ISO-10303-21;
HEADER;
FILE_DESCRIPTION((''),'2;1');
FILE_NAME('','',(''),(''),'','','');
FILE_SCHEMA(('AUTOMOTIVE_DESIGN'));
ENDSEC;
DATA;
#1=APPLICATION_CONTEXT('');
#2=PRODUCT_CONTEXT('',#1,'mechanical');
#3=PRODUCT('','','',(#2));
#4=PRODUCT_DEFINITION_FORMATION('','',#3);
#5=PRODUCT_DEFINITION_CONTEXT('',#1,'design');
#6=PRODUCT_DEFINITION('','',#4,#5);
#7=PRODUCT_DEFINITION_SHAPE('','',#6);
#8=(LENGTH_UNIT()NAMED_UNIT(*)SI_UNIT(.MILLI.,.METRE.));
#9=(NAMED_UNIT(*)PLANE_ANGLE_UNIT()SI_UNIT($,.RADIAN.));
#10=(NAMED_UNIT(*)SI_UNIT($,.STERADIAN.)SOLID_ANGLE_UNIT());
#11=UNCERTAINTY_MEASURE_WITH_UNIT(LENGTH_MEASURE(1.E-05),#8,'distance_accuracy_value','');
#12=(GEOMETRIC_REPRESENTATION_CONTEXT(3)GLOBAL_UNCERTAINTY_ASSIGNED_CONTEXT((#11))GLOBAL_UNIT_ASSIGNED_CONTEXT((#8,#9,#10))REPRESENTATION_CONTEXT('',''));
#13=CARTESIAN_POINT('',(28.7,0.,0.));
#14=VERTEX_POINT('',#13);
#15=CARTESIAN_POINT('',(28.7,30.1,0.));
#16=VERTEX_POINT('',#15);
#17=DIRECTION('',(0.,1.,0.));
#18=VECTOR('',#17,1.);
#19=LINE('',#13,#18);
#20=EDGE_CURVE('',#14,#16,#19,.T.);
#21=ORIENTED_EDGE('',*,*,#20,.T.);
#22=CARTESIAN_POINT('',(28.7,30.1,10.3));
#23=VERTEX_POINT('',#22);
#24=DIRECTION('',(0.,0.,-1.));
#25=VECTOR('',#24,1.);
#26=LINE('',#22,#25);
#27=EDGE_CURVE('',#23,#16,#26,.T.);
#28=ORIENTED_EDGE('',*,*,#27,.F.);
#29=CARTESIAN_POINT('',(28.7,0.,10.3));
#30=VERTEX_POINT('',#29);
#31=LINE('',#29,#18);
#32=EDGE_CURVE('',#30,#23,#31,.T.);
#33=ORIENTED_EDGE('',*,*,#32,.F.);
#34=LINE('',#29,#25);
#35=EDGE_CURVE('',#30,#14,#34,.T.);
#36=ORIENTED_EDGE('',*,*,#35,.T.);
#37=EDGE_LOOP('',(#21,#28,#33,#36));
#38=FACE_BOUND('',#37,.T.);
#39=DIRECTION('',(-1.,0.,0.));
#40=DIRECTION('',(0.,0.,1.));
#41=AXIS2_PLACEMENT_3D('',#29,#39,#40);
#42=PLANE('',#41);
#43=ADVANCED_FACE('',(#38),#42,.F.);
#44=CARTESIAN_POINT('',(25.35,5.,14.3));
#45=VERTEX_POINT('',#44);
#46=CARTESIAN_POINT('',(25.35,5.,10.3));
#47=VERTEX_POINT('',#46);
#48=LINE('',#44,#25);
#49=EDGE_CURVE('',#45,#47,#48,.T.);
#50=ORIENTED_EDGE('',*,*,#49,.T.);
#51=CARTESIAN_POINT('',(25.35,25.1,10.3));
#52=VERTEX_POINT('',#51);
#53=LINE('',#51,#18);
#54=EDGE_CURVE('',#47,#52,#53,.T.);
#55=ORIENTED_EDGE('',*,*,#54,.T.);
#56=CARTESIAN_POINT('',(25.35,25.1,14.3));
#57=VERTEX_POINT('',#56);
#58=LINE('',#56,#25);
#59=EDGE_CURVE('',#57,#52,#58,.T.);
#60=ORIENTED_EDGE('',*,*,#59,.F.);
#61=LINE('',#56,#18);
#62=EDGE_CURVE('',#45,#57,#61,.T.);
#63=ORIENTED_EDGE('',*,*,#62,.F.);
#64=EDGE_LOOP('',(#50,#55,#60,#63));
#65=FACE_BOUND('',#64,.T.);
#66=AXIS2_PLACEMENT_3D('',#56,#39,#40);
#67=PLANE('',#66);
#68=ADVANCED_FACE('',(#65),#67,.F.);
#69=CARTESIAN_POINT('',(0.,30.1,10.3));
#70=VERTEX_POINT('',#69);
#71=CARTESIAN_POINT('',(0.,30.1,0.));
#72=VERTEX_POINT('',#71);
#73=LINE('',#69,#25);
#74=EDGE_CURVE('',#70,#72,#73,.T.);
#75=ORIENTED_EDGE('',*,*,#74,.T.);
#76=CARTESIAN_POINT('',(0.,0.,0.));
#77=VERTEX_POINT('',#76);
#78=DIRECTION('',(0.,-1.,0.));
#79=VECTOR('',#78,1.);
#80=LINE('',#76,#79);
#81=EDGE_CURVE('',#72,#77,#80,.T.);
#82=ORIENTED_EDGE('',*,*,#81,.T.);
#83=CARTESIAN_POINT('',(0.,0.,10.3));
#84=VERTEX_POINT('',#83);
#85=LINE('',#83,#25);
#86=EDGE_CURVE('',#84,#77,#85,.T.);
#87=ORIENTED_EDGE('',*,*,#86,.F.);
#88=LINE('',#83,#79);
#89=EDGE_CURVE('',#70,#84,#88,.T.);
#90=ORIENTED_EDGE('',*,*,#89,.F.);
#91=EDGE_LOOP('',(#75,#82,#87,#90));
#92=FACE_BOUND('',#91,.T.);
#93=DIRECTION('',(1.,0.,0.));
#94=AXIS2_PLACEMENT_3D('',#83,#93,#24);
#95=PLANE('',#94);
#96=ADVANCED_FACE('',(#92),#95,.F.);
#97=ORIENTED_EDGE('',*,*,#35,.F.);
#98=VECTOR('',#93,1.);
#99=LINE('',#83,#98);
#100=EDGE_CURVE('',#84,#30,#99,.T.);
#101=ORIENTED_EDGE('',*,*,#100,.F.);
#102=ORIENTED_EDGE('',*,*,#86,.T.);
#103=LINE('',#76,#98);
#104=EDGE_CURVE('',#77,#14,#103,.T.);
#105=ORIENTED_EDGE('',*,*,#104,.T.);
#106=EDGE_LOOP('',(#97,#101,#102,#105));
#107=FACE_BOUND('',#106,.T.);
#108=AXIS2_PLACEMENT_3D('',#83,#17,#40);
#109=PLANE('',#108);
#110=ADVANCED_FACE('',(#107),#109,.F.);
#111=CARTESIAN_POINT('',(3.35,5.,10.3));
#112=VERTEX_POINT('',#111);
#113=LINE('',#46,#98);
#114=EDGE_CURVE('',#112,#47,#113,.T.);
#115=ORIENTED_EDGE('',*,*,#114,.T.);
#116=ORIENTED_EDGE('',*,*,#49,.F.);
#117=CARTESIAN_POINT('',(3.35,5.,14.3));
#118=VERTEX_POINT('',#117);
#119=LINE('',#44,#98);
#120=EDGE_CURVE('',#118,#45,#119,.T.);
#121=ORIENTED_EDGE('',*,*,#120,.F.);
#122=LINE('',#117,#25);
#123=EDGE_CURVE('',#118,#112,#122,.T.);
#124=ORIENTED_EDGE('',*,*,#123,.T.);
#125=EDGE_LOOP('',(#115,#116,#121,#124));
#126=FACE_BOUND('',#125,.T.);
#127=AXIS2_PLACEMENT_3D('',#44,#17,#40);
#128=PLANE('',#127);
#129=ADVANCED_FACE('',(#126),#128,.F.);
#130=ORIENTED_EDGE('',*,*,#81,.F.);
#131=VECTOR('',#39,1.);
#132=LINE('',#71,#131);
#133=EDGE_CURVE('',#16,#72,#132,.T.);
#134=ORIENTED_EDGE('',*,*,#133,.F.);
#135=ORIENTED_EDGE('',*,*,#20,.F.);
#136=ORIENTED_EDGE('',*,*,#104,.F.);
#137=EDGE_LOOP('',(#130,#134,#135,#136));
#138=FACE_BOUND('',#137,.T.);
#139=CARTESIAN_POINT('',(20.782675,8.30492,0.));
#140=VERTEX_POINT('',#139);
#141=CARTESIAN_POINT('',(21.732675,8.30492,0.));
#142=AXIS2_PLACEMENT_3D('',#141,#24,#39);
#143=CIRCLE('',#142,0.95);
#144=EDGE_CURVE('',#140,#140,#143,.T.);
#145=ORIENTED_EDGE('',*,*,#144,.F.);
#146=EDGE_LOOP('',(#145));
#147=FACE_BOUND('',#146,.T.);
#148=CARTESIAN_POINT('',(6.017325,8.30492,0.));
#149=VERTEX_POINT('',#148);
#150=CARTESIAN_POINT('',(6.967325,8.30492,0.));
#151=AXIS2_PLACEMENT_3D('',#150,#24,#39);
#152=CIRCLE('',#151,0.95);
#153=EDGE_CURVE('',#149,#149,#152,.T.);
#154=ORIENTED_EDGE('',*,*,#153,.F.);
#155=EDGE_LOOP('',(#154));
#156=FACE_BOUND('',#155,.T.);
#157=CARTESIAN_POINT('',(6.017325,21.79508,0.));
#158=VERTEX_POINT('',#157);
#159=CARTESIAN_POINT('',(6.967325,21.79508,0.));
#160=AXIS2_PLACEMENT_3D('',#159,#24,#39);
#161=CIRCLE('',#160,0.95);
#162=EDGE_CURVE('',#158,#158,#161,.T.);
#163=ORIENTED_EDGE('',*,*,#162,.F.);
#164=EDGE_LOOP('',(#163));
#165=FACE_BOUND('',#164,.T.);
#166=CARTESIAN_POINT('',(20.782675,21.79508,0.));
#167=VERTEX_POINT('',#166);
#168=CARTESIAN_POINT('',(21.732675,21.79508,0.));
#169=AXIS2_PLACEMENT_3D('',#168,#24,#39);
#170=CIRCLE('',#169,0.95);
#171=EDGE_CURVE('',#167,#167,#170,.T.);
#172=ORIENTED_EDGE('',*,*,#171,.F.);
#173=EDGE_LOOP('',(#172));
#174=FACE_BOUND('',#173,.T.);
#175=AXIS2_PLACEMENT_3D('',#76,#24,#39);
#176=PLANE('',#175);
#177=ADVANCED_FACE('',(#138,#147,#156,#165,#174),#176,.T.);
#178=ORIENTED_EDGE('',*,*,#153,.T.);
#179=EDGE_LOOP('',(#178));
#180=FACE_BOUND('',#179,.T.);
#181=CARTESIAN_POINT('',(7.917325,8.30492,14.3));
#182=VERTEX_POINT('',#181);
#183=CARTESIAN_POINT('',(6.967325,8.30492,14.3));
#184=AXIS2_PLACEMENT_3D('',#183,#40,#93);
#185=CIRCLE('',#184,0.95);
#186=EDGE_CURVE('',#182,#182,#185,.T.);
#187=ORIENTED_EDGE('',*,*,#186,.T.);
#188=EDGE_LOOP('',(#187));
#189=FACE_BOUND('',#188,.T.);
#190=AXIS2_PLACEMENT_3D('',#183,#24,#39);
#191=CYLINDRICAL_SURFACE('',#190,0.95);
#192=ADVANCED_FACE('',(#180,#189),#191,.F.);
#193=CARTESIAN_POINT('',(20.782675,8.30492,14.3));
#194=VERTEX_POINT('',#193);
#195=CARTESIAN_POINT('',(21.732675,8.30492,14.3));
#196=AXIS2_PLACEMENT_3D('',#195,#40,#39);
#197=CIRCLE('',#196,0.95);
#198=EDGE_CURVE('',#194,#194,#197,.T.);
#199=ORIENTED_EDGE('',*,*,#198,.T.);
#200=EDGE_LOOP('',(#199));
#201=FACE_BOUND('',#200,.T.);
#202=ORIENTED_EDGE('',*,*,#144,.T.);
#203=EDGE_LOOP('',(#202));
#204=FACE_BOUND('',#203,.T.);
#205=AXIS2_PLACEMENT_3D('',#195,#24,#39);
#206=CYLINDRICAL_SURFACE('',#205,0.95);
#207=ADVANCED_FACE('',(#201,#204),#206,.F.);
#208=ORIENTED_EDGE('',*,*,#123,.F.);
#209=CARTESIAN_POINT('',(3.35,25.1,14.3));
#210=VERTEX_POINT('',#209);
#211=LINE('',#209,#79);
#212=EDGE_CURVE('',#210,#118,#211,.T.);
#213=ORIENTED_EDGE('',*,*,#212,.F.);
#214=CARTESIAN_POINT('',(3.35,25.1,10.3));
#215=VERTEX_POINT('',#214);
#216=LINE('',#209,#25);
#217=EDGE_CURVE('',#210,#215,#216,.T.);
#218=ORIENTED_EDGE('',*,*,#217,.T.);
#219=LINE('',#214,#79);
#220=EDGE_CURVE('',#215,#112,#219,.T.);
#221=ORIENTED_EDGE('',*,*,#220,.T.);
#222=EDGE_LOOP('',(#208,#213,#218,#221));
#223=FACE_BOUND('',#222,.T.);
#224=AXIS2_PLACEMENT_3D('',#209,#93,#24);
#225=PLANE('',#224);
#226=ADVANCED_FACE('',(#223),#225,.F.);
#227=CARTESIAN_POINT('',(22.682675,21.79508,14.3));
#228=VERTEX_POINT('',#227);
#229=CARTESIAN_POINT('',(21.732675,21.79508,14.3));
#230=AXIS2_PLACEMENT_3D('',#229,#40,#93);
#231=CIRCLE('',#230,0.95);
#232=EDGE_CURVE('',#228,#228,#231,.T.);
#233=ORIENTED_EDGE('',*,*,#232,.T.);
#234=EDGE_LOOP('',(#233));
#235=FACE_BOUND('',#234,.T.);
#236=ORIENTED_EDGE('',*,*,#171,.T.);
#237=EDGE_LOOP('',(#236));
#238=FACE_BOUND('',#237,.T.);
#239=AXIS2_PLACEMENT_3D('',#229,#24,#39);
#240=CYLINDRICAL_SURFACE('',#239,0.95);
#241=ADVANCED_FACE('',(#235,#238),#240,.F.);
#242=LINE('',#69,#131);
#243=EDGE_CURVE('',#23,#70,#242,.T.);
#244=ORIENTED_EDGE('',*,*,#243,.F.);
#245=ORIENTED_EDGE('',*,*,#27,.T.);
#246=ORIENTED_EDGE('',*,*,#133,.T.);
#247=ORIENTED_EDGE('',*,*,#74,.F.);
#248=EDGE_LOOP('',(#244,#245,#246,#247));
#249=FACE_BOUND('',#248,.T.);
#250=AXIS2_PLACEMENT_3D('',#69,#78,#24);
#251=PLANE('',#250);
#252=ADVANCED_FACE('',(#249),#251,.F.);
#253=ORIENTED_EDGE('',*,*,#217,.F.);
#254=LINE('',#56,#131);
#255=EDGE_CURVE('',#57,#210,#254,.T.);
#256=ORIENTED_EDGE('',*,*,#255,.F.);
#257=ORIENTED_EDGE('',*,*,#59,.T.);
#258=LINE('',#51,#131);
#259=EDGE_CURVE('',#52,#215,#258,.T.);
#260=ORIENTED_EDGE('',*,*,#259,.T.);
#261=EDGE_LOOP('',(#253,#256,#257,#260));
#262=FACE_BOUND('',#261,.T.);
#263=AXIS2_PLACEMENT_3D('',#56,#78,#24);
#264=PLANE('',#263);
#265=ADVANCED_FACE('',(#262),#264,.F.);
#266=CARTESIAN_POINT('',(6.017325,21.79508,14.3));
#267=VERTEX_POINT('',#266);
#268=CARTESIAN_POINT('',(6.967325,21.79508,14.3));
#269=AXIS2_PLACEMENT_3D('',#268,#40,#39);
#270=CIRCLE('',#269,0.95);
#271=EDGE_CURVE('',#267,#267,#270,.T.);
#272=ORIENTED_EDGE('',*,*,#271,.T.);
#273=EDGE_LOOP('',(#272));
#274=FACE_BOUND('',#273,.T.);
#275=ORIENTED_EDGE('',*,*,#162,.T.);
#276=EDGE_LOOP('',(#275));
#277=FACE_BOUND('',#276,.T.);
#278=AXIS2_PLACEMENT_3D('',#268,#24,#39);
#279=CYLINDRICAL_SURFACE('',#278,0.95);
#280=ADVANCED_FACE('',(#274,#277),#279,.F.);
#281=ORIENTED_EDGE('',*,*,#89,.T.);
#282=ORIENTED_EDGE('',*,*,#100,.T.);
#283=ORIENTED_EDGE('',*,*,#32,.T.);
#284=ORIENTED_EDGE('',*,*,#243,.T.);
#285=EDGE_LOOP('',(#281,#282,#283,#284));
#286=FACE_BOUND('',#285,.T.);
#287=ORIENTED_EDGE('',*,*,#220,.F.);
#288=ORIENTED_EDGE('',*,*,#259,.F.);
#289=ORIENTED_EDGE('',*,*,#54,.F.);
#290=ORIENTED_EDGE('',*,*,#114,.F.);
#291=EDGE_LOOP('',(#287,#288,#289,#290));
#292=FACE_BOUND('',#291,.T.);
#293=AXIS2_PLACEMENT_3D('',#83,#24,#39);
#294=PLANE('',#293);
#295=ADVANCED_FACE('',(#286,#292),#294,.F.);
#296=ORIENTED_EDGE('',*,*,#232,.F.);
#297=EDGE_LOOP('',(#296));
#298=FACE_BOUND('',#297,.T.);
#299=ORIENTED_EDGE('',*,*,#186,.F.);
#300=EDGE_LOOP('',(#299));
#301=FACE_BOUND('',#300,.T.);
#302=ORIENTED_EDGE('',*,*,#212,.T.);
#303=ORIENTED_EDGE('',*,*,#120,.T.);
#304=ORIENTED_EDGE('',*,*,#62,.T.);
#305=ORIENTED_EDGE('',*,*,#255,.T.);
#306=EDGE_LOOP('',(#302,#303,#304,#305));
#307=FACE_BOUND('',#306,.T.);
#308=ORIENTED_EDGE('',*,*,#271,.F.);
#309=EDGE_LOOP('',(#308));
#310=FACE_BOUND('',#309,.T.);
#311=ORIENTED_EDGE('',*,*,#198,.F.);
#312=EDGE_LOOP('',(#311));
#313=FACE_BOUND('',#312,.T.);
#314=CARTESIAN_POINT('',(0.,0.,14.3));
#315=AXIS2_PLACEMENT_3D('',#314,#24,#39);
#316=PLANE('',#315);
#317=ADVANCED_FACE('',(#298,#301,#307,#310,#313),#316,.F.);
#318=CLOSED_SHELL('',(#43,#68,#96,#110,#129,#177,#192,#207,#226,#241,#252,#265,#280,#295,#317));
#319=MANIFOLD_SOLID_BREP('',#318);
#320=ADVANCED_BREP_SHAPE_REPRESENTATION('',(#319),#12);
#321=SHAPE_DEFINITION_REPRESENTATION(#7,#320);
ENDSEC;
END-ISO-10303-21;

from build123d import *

# Parameters (mm, degrees)
SKETCH1_W           = 28.7
SKETCH1_H           = 30.1
BOSS_EXTRUDE1_DEPTH = 10.3
SKETCH2_W           = 22
SKETCH2_H           = 20.1
SKETCH2_R           = 0.95
BOSS_EXTRUDE2_DEPTH = 4
SKETCH4_R           = 0.95
CUT_EXTRUDE1_DEPTH  = 44.979427009


with BuildPart() as part:
    # Sketch1 → Boss-Extrude1 (new body)
    with BuildSketch(Plane.XY):
        with Locations((14.35, 15.05)):
            Rectangle(SKETCH1_W, SKETCH1_H)
    extrude(amount=BOSS_EXTRUDE1_DEPTH)

    # Sketch2 → Boss-Extrude2 (add)
    with BuildSketch(Plane.XY.offset(10.3)):
        with Locations((14.35, 15.05)):
            Rectangle(SKETCH2_W, SKETCH2_H)
        with Locations((6.967324962, 8.304919624)):
            Circle(SKETCH2_R, mode=Mode.SUBTRACT)
        with Locations(Location((6.967324962, 21.795080376, 0), (0, 0, 180))):
            Circle(SKETCH2_R, mode=Mode.SUBTRACT)
        with Locations(Location((21.732675038, 8.304919624, 0), (0, 0, 180))):
            Circle(SKETCH2_R, mode=Mode.SUBTRACT)
        with Locations((21.732675038, 21.795080376)):
            Circle(SKETCH2_R, mode=Mode.SUBTRACT)
    extrude(amount=BOSS_EXTRUDE2_DEPTH)

    # Sketch4 → Cut-Extrude1 (cut, through all)
    with BuildSketch(Plane(origin=(0, 0, 0), x_dir=(-1, 0, 0), z_dir=(0, 0, -1))):
        with Locations((-21.732675038, 21.795080376)):
            Circle(SKETCH4_R)
        with Locations((-21.732675038, 8.304919624)):
            Circle(SKETCH4_R)
        with Locations((-6.967324962, 8.304919624)):
            Circle(SKETCH4_R)
        with Locations((-6.967324962, 21.795080376)):
            Circle(SKETCH4_R)
    extrude(amount=-CUT_EXTRUDE1_DEPTH, mode=Mode.SUBTRACT)


solid = part.part
